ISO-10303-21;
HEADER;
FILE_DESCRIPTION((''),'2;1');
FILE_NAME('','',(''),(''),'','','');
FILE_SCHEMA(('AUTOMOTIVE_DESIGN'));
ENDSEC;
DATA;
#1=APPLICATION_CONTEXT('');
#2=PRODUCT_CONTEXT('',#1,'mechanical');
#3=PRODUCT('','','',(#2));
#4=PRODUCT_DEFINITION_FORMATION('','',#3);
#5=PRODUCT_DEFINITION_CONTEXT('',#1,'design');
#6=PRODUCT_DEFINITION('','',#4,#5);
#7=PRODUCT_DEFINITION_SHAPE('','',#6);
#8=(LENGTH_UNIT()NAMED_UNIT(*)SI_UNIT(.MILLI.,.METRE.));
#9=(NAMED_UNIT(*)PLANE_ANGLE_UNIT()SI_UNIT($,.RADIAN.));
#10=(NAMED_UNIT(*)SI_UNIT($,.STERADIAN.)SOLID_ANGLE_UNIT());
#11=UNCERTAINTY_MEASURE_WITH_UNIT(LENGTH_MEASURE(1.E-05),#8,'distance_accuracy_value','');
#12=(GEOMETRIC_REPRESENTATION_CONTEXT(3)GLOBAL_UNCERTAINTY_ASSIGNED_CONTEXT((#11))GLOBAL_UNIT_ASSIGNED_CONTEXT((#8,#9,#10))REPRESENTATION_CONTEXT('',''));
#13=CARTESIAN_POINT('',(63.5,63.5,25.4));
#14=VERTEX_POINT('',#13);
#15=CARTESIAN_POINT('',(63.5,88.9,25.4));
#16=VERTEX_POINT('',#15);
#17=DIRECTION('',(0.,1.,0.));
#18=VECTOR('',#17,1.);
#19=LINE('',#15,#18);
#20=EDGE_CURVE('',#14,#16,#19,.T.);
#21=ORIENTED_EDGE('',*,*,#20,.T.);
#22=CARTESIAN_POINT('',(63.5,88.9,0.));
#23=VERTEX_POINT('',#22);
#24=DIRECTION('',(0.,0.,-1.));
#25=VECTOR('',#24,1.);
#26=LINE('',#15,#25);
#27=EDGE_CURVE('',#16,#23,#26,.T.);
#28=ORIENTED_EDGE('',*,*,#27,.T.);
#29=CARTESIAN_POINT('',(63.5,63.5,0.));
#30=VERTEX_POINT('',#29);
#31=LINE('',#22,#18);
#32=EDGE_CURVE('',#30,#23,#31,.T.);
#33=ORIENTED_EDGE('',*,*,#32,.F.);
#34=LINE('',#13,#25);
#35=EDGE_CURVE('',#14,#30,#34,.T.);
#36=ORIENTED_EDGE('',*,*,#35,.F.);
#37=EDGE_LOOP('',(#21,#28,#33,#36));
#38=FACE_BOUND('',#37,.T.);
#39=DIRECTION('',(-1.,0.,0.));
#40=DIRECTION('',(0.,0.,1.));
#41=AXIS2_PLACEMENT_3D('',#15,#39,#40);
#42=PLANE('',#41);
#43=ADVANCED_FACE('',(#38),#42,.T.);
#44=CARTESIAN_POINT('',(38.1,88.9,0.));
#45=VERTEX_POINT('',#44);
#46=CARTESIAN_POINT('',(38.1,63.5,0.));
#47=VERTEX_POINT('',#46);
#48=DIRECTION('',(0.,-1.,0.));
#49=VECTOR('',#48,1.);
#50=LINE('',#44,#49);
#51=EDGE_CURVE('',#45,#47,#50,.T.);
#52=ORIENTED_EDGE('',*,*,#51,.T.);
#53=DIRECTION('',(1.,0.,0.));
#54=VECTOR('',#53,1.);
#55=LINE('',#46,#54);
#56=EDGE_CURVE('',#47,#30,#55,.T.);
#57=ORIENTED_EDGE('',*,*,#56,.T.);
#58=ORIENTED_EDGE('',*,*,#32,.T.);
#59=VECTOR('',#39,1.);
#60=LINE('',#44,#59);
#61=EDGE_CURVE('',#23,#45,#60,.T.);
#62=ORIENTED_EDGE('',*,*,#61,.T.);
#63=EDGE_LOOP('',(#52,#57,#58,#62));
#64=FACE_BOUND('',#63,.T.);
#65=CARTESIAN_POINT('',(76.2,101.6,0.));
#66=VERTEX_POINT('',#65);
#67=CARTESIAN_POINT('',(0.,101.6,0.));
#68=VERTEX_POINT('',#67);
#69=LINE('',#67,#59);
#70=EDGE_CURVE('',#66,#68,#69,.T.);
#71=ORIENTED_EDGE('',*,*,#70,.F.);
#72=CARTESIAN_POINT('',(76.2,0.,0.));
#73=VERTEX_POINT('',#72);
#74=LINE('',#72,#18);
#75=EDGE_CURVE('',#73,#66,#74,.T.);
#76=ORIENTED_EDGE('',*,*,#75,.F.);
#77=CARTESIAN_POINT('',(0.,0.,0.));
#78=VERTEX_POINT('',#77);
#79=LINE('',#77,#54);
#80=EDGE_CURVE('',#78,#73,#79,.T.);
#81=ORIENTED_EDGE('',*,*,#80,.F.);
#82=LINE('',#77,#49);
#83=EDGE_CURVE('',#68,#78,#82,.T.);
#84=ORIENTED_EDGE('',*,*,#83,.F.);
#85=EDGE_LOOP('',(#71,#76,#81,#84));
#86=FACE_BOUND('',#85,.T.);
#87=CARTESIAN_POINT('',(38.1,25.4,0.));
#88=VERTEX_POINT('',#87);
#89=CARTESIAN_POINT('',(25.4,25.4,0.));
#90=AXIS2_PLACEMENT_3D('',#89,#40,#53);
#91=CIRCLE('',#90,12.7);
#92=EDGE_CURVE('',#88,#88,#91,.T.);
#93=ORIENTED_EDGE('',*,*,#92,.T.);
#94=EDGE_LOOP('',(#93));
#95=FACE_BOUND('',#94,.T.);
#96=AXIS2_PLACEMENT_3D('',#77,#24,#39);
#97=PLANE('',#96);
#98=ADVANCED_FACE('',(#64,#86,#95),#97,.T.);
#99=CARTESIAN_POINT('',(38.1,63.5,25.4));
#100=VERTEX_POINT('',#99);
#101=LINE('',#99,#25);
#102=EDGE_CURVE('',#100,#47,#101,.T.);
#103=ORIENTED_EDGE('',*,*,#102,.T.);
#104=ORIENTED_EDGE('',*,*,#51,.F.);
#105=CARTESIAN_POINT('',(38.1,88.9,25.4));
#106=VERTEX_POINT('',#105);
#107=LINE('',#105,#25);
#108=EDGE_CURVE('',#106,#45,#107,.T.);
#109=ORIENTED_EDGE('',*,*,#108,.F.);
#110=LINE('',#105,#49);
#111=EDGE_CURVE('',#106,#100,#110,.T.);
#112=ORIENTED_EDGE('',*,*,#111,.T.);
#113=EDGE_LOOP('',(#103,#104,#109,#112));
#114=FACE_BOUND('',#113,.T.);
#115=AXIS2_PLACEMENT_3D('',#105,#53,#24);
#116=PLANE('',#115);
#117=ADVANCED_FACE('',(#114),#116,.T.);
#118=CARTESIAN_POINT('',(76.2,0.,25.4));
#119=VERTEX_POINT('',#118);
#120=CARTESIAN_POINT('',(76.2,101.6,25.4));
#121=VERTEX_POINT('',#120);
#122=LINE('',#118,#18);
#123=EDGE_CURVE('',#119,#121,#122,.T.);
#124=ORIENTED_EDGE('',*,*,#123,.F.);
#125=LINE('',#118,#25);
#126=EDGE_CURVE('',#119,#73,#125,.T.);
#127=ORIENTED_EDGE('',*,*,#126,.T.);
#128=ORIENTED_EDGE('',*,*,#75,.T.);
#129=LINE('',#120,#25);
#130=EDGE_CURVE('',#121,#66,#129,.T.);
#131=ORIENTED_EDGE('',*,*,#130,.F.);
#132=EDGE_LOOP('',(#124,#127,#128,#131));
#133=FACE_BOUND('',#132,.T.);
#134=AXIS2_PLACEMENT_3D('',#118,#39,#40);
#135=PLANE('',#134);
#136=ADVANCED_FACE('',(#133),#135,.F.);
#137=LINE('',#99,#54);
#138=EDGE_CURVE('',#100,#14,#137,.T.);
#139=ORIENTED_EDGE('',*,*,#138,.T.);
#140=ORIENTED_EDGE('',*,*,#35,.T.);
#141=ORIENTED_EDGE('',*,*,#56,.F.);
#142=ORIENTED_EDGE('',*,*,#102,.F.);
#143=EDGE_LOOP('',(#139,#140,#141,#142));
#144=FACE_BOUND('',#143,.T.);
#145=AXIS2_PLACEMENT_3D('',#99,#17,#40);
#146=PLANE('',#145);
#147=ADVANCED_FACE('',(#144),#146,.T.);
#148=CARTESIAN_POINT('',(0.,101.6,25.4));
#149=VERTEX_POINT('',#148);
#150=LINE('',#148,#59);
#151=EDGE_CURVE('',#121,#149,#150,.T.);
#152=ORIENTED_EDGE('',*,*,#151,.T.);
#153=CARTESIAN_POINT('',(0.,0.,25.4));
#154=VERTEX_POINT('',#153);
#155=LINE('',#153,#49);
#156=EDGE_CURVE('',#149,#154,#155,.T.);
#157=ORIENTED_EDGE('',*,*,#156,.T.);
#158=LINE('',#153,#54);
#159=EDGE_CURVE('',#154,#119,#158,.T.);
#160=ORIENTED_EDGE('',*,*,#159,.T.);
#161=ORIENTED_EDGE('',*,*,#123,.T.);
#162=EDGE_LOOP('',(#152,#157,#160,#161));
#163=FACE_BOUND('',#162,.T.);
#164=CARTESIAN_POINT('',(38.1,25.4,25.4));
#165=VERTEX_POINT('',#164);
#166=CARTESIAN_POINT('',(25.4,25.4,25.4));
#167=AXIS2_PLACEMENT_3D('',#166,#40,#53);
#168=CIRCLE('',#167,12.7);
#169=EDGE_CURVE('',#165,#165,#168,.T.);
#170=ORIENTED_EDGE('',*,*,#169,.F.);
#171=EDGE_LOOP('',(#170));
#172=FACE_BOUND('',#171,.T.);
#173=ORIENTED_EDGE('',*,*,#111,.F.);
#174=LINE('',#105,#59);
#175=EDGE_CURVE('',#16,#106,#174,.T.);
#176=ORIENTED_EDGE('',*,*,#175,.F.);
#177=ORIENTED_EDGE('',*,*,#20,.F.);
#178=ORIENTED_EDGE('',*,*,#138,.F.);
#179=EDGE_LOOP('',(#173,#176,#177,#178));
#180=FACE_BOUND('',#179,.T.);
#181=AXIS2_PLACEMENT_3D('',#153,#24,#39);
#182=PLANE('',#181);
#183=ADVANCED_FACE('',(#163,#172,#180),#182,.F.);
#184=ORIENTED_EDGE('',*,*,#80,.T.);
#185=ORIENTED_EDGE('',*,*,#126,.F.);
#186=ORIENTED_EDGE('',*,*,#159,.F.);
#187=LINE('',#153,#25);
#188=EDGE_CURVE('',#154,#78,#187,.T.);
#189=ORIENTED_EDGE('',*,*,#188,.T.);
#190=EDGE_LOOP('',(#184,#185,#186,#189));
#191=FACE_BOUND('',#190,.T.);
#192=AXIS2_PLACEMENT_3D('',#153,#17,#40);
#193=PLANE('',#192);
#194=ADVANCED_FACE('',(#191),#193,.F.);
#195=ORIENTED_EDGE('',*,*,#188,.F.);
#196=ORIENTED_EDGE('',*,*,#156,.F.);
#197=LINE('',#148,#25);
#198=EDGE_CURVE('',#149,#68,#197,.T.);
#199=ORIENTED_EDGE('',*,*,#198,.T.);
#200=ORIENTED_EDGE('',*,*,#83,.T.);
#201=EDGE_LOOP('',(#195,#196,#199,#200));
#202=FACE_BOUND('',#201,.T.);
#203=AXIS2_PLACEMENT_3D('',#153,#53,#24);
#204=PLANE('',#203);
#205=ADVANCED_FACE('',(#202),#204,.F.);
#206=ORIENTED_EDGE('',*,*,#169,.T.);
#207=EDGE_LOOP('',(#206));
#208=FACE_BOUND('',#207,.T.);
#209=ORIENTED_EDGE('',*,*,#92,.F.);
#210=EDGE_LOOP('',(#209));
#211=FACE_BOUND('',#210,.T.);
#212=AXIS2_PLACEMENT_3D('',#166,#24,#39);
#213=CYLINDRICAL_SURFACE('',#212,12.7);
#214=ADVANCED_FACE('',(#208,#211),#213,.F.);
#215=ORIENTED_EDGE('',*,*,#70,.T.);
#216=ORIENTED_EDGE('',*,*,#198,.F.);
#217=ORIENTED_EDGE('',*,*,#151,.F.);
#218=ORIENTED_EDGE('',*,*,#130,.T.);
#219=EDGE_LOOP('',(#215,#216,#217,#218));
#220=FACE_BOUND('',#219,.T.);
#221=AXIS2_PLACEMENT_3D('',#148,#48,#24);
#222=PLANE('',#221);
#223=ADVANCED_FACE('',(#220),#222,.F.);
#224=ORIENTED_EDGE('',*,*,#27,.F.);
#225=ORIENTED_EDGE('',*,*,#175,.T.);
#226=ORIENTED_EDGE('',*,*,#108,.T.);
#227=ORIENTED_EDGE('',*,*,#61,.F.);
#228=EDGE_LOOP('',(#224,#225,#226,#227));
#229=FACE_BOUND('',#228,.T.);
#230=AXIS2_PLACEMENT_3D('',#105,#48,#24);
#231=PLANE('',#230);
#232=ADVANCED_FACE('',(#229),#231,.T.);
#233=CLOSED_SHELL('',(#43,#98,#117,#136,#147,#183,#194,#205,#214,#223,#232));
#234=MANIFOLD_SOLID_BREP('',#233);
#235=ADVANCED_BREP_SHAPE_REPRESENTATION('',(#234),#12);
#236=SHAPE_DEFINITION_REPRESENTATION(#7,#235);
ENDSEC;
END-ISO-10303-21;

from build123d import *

# Parameters (mm, degrees)
SKETCH1_W           = 76.2
SKETCH1_H           = 101.6
SKETCH1_R           = 12.7
SKETCH1_W_2         = 25.4
SKETCH1_H_2         = 25.4
BOSS_EXTRUDE1_DEPTH = 25.4


with BuildPart() as part:
    # Sketch1 → Boss-Extrude1 (new body)
    with BuildSketch(Plane.XY):
        with Locations((38.1, 50.8)):
            Rectangle(SKETCH1_W, SKETCH1_H)
        with Locations((25.4, 25.4)):
            Circle(SKETCH1_R, mode=Mode.SUBTRACT)
        with Locations((50.8, 76.2)):
            Rectangle(SKETCH1_W_2, SKETCH1_H_2, mode=Mode.SUBTRACT)
    extrude(amount=BOSS_EXTRUDE1_DEPTH)


solid = part.part
